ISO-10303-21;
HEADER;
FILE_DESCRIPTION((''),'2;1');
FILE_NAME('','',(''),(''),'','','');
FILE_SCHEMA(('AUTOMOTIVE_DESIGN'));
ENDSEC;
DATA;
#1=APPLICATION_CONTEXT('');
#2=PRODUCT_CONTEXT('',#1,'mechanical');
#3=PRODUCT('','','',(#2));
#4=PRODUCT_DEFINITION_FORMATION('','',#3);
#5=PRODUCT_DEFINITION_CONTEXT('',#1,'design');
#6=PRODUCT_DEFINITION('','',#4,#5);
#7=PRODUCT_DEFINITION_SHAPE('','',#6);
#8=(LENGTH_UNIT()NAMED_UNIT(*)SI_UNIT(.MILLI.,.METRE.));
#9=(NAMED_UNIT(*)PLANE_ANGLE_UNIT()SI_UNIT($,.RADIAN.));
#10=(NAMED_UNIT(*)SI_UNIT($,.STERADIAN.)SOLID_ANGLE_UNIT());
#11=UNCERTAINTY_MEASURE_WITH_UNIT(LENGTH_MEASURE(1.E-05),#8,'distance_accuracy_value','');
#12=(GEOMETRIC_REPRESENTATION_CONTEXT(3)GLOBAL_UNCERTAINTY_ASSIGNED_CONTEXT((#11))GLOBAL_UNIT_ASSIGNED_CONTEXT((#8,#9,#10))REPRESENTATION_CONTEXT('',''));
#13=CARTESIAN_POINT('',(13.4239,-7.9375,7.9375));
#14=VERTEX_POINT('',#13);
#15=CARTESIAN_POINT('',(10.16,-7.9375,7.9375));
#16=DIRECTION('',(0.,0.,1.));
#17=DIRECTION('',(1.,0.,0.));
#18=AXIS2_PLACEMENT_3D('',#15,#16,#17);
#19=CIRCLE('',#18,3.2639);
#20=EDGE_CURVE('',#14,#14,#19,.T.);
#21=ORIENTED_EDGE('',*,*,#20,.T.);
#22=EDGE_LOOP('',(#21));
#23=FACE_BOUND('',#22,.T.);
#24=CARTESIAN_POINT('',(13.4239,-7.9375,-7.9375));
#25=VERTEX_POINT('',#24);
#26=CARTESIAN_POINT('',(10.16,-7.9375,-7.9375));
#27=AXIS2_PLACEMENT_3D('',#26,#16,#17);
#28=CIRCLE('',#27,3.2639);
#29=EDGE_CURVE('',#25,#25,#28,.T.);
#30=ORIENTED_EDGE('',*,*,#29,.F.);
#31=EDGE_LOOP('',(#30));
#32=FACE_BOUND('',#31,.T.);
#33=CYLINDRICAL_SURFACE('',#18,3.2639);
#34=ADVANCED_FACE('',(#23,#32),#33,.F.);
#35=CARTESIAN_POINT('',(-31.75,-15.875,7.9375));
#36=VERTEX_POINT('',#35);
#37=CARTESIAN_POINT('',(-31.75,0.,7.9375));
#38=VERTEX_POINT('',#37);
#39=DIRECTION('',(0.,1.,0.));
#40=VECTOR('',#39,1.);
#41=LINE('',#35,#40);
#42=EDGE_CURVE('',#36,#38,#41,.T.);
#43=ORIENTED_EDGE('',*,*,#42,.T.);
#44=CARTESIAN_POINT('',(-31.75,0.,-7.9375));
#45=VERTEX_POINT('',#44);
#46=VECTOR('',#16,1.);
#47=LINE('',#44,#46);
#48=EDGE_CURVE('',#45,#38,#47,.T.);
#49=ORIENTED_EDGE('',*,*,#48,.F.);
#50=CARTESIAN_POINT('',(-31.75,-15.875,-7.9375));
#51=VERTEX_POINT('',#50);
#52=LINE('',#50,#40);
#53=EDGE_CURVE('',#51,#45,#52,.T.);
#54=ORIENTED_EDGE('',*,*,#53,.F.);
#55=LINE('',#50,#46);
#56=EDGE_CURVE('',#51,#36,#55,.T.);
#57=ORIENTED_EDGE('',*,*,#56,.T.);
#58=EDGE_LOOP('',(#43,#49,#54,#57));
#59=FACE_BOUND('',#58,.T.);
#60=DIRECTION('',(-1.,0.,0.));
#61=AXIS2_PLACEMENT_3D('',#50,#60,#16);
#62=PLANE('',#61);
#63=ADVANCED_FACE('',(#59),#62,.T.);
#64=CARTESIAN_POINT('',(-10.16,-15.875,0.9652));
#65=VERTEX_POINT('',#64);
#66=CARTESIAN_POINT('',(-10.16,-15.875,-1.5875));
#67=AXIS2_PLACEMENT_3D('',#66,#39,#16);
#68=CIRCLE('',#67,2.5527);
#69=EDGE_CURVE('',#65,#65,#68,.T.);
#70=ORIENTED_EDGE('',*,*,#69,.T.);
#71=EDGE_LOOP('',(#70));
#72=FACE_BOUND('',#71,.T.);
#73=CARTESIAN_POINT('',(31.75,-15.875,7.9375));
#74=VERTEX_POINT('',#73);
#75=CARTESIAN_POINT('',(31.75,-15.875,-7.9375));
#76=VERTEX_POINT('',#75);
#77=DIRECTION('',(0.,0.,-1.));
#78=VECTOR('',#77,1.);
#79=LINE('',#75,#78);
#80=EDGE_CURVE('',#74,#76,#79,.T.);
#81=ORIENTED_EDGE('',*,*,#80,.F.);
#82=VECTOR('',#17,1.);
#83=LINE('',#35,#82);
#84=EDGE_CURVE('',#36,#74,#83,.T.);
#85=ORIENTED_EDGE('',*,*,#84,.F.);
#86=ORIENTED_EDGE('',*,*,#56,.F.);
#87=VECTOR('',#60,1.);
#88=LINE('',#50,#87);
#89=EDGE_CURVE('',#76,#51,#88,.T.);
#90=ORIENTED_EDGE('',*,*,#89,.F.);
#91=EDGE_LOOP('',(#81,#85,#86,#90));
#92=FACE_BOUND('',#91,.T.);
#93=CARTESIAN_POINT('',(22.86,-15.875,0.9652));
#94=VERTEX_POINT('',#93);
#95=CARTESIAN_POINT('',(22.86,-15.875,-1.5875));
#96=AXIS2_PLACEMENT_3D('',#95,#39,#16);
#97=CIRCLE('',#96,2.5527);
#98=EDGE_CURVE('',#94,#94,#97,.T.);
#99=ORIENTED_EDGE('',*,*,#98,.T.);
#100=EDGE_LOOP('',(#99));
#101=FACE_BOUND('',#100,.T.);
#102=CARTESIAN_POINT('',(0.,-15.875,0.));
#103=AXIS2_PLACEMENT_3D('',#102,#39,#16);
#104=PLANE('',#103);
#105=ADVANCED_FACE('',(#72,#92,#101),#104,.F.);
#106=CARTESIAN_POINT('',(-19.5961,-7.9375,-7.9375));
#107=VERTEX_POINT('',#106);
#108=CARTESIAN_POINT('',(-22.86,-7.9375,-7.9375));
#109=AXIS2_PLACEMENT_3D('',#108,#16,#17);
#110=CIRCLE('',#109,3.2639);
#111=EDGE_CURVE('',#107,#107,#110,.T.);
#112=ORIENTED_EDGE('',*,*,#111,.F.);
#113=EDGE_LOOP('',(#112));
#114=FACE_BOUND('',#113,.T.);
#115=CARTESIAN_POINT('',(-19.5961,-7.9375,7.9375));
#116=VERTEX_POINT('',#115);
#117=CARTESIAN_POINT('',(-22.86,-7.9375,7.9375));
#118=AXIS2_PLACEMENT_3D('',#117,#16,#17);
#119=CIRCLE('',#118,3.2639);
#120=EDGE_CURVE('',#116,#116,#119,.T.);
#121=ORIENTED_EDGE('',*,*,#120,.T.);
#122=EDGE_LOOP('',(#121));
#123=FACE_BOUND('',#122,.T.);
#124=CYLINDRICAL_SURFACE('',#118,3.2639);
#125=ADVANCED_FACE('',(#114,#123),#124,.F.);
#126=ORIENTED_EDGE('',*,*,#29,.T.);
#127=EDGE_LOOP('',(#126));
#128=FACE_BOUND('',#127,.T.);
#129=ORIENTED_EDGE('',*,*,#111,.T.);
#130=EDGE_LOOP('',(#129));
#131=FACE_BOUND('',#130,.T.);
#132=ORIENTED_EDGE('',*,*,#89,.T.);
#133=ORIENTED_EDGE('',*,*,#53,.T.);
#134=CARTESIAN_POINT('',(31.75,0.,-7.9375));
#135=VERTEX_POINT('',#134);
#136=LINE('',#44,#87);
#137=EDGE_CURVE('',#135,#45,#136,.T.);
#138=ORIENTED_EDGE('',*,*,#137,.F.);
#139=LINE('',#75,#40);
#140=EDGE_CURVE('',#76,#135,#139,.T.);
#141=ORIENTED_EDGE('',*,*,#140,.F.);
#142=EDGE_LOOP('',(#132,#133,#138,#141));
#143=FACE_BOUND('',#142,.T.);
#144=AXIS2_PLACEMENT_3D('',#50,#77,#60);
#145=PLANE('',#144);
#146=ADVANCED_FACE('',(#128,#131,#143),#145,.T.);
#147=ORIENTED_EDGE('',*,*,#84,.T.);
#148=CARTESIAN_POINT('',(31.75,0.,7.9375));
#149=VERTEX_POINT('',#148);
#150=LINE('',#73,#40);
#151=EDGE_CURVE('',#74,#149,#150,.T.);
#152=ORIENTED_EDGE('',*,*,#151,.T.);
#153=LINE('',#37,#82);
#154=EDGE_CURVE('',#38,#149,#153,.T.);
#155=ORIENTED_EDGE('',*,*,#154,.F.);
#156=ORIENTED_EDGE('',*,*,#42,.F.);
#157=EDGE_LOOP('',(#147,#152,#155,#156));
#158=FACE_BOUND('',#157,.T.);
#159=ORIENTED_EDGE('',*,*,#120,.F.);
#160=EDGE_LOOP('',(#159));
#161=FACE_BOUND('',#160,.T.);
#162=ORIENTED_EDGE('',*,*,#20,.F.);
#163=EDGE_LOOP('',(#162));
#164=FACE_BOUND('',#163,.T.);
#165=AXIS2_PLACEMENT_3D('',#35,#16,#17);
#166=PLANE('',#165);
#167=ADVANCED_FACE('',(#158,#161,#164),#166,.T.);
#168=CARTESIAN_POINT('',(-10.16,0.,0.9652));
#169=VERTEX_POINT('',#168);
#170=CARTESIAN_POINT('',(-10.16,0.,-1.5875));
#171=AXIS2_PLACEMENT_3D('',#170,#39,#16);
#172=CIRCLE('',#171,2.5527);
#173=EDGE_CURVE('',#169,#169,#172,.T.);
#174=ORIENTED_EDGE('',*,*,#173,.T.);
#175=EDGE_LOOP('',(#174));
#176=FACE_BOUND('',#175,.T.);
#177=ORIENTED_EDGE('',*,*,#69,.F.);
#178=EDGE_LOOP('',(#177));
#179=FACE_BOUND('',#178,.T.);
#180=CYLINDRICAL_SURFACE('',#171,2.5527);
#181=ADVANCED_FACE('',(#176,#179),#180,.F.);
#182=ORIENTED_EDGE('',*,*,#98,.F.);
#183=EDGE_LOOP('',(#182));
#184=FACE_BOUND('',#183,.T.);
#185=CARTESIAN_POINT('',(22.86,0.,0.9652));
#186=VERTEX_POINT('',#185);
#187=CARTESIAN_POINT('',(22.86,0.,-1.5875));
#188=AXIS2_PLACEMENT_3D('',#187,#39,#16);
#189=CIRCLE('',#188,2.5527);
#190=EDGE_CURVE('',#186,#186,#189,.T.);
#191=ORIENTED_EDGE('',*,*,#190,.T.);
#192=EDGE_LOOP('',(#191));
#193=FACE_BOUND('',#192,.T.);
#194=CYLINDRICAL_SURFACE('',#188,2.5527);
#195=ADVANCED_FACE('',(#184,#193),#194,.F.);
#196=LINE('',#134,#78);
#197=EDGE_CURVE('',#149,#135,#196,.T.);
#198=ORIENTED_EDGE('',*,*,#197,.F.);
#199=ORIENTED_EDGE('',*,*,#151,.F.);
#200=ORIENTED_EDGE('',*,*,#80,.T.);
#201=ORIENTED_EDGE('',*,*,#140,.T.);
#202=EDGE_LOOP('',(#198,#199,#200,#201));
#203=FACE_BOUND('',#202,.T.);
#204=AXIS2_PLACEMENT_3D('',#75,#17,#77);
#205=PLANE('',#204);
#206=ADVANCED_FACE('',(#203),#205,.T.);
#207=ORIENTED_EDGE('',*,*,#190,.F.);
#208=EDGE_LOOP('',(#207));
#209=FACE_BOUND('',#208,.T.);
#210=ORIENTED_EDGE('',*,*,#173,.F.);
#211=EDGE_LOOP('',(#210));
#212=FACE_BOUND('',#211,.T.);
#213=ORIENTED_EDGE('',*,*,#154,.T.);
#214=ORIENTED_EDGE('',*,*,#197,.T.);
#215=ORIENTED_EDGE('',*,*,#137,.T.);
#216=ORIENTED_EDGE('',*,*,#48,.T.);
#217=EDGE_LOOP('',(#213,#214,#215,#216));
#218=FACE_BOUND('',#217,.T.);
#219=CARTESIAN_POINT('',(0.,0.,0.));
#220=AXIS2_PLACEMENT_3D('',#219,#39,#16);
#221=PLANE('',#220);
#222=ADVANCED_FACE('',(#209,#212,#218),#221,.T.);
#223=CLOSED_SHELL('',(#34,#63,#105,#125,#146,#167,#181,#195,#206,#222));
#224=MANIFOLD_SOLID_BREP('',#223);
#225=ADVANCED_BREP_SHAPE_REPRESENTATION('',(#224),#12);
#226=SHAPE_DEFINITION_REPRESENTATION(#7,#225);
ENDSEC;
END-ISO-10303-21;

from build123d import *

# Parameters (mm, degrees)
SKETCH2_W              = 63.5
SKETCH2_H              = 15.875
BOSS_EXTRUDE1_DEPTH    = 15.875
F_1_4_20_TAPPED_HOLE_D = 5.1054
F_1_4_CLEARANCE_HOLE_D = 6.5278


with BuildPart() as part:
    # Sketch2 → Boss-Extrude1 (new body)
    with BuildSketch(Plane(origin=(0, 0, 0), x_dir=(1, 0, 0), z_dir=(0, 1, 0))):
        Rectangle(SKETCH2_W, SKETCH2_H)
    extrude(amount=-BOSS_EXTRUDE1_DEPTH)

    # 1/4-20 Tapped Hole (through all)
    with Locations(Plane(origin=(0, 0, 0), x_dir=(1, 0, 0), z_dir=(0, 1, 0))):
        with Locations((-10.16, 1.5875), (22.86, 1.5875)):
            Hole(F_1_4_20_TAPPED_HOLE_D / 2)

    # 1/4 Clearance Hole (through all)
    with Locations(Plane.XY.offset(7.9375)):
        with Locations((-22.86, -7.9375), (10.16, -7.9375)):
            Hole(F_1_4_CLEARANCE_HOLE_D / 2)


solid = part.part
